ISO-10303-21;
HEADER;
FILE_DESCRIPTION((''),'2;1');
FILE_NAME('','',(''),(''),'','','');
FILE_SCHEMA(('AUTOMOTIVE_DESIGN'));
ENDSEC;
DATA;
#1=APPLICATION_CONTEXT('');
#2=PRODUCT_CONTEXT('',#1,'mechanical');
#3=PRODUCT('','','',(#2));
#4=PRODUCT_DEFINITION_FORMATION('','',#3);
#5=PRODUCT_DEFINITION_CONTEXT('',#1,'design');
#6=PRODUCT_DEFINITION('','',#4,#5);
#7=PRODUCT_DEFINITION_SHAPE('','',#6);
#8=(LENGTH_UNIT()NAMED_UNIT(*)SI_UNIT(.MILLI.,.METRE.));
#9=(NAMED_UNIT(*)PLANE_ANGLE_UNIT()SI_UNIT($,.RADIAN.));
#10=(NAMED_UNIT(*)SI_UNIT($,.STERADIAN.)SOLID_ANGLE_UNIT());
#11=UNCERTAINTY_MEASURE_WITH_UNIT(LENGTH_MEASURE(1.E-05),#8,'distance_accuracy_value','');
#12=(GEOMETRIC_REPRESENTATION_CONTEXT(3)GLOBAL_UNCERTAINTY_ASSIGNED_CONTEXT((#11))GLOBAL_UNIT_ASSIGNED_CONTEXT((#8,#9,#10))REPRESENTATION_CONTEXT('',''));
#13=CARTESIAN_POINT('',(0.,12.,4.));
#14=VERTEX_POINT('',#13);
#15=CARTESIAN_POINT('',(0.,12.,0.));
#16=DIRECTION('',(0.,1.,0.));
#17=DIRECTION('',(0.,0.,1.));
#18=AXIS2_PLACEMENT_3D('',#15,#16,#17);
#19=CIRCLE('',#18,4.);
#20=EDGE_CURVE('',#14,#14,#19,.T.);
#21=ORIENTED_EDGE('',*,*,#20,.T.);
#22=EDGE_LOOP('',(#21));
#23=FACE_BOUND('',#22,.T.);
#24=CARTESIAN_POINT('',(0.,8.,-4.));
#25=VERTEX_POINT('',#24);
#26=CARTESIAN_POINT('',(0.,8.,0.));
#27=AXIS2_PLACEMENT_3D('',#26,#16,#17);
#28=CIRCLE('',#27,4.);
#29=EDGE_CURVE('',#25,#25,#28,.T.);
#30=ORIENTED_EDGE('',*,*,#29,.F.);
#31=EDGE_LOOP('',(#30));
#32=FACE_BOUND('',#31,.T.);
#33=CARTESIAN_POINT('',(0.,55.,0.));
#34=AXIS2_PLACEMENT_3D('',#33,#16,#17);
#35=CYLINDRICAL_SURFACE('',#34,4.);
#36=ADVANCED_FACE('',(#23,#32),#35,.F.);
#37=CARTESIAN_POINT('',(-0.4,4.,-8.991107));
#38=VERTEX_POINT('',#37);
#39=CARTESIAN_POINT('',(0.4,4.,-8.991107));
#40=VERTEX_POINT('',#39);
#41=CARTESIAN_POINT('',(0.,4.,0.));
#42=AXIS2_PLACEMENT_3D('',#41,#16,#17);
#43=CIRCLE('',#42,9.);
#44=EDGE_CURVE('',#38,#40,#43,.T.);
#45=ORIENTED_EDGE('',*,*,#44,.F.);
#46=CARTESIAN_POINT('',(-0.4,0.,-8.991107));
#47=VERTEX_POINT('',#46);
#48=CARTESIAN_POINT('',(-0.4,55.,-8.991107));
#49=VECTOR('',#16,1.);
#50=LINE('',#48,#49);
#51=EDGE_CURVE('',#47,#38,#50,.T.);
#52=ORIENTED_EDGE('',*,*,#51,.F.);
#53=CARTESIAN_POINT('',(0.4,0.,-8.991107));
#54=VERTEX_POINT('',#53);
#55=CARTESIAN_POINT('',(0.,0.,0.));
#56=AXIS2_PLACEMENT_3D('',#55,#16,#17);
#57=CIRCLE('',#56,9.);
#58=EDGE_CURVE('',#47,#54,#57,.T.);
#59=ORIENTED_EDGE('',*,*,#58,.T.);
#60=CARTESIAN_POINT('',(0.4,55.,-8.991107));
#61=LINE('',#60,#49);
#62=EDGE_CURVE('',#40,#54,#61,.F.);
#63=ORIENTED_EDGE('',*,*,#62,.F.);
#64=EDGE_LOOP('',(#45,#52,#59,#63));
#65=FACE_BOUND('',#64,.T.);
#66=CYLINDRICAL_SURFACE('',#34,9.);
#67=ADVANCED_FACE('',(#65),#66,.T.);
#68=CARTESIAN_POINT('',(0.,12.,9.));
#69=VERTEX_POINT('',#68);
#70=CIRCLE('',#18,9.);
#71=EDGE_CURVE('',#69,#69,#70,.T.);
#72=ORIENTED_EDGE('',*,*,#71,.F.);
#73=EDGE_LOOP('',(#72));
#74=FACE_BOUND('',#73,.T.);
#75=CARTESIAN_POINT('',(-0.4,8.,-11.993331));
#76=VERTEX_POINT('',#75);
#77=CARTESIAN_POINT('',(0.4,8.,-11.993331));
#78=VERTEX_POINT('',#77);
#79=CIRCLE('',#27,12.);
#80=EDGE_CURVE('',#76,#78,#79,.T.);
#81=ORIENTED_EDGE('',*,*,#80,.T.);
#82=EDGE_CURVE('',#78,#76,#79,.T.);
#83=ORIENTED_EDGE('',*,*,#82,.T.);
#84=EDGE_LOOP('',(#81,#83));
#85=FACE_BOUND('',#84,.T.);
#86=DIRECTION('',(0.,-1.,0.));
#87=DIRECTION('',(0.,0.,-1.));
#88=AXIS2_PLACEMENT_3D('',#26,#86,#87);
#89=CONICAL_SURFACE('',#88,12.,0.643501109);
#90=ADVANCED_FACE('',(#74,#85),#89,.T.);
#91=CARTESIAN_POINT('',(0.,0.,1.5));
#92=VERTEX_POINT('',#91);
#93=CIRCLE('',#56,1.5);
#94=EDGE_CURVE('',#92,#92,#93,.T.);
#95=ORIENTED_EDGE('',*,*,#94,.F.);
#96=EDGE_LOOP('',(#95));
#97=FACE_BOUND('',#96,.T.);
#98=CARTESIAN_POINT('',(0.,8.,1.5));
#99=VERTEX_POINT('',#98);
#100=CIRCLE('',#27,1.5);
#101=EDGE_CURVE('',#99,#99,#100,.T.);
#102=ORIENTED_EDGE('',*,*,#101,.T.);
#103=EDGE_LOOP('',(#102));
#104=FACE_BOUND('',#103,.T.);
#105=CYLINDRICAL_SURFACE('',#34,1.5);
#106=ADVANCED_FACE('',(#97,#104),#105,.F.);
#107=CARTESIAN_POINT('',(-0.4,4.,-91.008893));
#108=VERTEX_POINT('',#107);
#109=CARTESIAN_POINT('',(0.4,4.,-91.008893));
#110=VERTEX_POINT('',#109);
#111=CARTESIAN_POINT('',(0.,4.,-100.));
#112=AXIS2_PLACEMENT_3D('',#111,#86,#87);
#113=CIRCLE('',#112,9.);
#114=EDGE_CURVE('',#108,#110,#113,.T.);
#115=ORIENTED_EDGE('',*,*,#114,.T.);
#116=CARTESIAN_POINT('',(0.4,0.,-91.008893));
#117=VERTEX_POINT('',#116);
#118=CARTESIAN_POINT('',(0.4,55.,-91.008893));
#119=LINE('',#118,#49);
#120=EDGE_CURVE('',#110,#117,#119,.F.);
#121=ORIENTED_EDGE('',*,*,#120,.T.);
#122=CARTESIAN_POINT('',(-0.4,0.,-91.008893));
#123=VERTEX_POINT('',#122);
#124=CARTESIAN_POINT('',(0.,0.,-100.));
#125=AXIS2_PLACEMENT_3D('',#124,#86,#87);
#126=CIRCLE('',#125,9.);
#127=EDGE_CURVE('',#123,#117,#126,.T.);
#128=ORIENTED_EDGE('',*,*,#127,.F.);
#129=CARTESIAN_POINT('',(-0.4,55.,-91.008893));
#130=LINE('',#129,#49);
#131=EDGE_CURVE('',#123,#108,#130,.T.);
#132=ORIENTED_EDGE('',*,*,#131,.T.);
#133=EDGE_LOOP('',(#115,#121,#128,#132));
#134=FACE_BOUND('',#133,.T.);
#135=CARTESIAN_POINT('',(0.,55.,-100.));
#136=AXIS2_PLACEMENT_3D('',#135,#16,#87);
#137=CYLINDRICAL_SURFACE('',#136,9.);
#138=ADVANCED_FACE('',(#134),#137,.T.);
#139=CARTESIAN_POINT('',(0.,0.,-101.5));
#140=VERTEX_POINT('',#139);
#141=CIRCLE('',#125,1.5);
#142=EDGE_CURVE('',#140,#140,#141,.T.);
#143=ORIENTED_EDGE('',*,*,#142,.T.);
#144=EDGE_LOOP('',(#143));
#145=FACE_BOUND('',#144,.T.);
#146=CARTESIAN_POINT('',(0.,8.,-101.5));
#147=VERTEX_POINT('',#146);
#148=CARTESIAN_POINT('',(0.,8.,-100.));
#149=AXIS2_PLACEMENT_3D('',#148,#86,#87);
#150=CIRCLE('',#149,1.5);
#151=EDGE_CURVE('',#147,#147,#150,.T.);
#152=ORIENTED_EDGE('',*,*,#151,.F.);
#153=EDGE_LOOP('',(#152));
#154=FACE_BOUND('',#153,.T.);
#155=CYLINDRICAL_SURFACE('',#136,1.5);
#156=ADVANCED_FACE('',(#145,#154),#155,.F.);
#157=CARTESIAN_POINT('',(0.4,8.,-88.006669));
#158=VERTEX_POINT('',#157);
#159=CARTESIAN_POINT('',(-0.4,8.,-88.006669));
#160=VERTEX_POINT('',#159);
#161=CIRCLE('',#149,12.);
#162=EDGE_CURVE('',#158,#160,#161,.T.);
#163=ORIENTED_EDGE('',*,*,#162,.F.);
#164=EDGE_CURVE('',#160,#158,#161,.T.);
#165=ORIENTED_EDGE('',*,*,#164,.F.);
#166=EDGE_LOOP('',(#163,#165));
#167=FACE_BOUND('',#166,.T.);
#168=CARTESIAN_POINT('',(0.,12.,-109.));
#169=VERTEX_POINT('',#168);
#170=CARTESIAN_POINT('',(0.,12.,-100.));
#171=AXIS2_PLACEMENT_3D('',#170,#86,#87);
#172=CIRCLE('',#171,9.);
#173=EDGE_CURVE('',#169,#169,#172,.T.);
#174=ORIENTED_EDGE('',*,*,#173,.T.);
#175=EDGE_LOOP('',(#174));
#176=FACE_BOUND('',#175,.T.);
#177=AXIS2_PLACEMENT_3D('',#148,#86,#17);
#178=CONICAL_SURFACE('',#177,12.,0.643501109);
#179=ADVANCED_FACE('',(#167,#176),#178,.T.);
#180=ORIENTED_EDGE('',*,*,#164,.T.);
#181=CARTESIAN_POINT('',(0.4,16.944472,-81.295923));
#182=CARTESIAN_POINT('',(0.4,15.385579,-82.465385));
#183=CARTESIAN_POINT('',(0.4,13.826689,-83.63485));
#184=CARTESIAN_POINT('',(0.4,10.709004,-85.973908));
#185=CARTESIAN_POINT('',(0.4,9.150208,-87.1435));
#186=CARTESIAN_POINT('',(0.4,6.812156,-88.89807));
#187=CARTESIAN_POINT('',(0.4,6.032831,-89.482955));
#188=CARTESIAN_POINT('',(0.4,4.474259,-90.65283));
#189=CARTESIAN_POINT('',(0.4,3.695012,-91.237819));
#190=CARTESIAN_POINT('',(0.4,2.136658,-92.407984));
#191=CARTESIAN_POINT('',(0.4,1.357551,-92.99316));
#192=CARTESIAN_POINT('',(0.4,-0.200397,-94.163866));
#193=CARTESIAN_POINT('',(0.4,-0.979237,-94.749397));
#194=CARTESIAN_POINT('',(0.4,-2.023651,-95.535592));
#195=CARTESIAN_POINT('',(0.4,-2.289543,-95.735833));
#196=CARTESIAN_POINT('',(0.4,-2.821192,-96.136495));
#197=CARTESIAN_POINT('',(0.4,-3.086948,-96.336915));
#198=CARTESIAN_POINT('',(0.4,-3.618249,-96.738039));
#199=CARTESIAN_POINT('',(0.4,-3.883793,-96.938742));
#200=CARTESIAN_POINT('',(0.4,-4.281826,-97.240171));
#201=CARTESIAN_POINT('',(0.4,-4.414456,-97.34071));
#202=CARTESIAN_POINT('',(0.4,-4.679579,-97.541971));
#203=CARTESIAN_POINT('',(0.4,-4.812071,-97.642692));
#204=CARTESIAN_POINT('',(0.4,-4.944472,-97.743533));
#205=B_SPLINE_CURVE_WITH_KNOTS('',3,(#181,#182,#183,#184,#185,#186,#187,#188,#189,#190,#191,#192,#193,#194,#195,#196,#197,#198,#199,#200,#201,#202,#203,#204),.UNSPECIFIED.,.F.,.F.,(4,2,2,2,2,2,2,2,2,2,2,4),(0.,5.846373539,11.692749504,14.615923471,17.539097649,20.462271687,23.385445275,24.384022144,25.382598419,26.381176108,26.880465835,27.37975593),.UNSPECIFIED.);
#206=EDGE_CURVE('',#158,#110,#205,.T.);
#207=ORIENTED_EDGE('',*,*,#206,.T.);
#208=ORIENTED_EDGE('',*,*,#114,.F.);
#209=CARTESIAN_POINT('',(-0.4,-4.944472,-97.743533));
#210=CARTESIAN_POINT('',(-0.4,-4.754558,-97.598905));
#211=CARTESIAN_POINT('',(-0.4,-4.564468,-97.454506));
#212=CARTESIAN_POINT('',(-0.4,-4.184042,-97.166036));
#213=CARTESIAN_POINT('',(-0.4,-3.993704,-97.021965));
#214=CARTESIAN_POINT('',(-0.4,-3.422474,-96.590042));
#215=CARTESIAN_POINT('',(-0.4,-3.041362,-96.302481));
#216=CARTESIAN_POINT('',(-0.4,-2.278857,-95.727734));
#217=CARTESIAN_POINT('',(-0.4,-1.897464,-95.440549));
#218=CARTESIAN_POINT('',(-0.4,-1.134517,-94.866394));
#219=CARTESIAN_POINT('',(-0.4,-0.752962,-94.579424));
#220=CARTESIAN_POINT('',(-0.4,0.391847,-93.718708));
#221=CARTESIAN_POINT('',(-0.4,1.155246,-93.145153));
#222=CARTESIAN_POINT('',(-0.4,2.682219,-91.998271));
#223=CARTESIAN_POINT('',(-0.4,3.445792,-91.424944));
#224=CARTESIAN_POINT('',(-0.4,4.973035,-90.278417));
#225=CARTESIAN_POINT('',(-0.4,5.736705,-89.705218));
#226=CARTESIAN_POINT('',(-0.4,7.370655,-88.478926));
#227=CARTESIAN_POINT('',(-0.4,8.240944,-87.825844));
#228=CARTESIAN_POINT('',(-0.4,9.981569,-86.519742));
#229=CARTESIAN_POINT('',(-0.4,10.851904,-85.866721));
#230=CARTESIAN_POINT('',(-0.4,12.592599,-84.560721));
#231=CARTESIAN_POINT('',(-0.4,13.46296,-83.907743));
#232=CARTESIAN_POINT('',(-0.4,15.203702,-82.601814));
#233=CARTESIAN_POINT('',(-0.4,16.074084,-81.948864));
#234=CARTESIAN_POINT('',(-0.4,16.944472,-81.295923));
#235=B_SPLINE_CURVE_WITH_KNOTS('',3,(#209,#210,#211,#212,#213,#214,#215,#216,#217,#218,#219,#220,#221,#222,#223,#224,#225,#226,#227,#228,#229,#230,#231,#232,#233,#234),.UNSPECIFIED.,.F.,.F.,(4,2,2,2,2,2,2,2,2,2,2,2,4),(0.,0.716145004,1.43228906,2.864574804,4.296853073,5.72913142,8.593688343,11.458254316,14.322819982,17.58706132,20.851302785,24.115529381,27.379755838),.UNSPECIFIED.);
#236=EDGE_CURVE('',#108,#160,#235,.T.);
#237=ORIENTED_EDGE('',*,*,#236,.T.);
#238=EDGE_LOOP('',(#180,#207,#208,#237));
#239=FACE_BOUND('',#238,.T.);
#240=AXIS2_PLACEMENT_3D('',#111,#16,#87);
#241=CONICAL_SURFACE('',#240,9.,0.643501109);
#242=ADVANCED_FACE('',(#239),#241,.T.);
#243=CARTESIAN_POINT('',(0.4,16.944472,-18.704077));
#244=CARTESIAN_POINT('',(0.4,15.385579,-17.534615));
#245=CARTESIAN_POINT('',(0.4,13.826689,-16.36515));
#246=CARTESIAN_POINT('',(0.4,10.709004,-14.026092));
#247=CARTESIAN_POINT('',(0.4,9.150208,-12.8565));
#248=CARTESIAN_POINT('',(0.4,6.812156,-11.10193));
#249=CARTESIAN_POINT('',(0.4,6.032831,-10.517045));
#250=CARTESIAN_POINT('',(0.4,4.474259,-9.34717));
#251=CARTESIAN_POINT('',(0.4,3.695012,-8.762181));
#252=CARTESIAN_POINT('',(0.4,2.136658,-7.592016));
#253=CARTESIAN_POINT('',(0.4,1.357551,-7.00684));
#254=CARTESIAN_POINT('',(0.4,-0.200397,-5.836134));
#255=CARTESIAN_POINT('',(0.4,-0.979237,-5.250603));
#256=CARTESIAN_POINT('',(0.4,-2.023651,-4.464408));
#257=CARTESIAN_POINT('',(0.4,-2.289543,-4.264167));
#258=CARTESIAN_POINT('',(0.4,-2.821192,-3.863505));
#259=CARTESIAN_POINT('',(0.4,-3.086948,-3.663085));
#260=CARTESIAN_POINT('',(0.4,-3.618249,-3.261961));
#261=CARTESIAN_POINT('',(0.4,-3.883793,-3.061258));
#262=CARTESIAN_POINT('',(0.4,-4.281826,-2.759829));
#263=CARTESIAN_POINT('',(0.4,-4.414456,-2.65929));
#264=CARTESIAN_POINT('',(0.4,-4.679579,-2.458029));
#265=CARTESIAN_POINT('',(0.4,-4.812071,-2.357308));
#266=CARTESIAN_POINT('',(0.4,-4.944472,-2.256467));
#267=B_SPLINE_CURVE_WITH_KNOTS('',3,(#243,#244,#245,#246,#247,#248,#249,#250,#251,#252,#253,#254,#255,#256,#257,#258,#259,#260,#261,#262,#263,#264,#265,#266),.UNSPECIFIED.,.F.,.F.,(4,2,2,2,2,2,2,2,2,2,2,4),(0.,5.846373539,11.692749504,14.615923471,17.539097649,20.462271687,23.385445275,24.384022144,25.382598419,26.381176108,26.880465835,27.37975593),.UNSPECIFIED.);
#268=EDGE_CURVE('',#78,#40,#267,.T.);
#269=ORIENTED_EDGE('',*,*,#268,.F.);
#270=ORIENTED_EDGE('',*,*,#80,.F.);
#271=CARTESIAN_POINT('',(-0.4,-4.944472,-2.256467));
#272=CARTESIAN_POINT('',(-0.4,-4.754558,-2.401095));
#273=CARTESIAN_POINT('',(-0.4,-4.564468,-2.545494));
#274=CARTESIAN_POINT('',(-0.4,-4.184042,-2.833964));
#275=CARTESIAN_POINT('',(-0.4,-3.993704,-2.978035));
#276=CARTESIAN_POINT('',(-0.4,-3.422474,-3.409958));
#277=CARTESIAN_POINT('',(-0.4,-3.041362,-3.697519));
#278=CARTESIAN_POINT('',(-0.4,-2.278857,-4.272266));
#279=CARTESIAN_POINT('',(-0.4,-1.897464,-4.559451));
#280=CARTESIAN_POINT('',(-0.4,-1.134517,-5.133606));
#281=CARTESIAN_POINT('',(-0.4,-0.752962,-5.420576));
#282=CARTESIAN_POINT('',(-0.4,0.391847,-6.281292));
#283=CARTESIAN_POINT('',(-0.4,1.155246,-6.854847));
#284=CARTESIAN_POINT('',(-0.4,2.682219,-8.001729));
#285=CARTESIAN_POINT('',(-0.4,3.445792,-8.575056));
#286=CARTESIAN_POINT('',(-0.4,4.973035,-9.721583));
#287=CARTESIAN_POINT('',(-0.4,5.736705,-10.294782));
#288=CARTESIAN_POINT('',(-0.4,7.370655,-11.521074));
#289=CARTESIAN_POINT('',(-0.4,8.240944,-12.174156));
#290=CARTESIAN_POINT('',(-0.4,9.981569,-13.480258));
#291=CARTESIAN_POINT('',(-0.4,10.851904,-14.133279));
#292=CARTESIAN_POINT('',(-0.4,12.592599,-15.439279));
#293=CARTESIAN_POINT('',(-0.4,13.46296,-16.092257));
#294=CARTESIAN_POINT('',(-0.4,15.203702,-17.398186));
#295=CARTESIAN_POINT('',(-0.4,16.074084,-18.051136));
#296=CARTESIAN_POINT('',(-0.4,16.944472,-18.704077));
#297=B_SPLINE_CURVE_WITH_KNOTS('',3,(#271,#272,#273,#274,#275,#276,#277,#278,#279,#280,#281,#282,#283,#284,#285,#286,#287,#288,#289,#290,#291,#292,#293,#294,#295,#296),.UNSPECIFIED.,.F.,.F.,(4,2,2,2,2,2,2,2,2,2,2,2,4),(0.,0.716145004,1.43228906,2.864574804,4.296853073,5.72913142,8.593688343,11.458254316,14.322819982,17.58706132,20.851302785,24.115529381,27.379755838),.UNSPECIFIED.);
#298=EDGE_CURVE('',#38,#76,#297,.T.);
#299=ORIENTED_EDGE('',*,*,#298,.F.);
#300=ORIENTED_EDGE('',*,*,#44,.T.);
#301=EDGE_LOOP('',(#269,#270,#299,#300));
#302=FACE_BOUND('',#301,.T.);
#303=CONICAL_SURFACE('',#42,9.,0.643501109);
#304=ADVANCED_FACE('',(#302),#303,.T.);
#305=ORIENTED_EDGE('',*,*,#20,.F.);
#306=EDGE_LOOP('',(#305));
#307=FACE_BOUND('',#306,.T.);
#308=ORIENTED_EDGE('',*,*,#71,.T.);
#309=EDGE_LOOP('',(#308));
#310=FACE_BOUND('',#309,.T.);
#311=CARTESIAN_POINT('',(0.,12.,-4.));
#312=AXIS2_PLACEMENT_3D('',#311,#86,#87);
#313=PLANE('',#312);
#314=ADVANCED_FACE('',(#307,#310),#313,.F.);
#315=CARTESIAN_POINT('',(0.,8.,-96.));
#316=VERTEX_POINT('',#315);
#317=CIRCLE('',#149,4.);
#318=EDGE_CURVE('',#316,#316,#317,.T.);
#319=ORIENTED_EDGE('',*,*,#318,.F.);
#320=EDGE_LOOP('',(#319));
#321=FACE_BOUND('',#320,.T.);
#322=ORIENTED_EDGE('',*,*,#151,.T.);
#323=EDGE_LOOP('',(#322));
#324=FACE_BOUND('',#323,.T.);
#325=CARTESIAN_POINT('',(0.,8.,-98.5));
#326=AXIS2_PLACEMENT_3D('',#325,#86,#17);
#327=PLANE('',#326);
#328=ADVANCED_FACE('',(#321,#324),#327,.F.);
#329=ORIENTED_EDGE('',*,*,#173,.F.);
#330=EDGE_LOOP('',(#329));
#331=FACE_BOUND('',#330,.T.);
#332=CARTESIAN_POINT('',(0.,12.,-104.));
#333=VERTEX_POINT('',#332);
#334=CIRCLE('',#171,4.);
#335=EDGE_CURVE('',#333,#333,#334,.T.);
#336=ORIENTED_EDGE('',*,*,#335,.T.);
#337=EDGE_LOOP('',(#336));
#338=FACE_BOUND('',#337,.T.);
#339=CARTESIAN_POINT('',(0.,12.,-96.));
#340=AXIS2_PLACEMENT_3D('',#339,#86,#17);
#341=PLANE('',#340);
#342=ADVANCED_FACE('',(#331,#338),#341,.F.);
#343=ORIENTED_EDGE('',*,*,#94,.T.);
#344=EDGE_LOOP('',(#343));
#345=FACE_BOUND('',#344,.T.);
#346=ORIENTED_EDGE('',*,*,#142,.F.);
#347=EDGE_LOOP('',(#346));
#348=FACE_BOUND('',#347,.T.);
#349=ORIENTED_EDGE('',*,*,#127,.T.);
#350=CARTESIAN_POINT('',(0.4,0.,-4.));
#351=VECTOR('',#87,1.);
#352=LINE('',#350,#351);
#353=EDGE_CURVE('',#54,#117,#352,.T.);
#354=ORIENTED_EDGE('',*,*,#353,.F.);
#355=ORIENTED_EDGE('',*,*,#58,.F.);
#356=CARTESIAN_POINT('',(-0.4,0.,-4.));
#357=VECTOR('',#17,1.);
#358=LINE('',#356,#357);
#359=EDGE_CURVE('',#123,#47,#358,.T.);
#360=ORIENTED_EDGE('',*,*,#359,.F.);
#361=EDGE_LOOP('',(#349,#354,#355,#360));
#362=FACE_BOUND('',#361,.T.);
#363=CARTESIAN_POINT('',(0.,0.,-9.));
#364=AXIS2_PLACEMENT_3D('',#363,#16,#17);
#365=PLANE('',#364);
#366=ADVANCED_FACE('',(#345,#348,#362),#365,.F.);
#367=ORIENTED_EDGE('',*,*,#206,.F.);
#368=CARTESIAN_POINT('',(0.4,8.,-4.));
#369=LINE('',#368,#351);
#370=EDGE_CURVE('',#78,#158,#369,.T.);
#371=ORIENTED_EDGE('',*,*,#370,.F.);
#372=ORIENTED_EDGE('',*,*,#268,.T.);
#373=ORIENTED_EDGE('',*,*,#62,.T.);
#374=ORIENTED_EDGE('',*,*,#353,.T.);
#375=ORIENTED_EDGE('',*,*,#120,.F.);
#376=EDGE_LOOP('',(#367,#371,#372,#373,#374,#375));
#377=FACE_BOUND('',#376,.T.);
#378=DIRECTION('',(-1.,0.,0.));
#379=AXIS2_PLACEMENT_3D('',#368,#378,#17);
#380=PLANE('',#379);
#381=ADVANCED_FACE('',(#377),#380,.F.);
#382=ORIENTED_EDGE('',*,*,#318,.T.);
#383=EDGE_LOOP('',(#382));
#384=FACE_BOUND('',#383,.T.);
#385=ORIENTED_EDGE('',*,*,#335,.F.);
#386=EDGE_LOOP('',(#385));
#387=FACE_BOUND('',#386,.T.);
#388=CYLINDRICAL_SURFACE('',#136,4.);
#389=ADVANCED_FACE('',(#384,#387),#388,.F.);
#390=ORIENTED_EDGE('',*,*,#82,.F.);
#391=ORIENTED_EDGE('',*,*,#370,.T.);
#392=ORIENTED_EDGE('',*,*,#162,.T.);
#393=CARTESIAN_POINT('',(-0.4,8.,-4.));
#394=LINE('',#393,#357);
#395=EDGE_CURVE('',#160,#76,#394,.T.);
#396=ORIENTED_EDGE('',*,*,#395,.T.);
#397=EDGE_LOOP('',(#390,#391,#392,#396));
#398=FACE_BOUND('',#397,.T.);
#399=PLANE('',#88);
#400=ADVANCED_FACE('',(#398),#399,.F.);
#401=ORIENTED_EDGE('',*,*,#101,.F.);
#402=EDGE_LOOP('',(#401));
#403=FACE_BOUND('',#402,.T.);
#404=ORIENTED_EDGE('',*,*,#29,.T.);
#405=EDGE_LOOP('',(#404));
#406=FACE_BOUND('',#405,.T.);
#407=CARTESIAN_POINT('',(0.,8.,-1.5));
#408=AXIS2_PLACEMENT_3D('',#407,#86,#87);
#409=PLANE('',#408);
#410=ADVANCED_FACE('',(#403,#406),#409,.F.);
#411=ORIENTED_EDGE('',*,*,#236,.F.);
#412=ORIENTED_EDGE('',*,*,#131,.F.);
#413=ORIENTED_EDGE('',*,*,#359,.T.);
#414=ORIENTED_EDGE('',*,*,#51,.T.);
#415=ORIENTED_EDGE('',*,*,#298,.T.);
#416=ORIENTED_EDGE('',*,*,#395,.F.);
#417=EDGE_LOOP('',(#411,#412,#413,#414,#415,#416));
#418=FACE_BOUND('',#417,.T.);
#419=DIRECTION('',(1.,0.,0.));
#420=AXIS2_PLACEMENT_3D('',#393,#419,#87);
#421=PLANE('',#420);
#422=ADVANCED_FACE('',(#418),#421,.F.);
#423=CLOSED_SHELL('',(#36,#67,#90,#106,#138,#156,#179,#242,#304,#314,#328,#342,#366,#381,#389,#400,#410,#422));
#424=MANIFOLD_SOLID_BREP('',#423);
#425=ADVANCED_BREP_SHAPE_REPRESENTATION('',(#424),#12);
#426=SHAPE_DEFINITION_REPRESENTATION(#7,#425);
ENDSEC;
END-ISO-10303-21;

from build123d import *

# Parameters (mm, degrees)
SKETCH2_W           = 0.8
SKETCH2_H           = 92
BOSS_EXTRUDE1_DEPTH = 8


with BuildPart() as part:
    # Sketch1 → Revolve1 (revolve)
    with BuildSketch(Plane(origin=(0, 0, 0), x_dir=(0, 0, -1), z_dir=(1, 0, 0))):
        Polygon((1.5, 0), (1.5, 8), (4, 8), (4, 12), (9, 12), (12, 8), (9, 4), (9, 0), align=None)
    revolve(axis=Axis((0, 55, 0), (0, -1, 0)))


with BuildPart() as body_2:
    # Mirror2: mirrored copy
    add(part.part.mirror(Plane.XY.offset(-50)))


with BuildPart() as part_1:
    add(part.part)

    add(body_2.part)  # Boss-Extrude1 merges body 2
    # Sketch2 → Boss-Extrude1 (add)
    with BuildSketch(Plane(origin=(0, 0, 0), x_dir=(1, 0, 0), z_dir=(0, 1, 0))):
        with Locations((0, 50)):
            Rectangle(SKETCH2_W, SKETCH2_H)
    extrude(amount=BOSS_EXTRUDE1_DEPTH)


solid = part_1.part
